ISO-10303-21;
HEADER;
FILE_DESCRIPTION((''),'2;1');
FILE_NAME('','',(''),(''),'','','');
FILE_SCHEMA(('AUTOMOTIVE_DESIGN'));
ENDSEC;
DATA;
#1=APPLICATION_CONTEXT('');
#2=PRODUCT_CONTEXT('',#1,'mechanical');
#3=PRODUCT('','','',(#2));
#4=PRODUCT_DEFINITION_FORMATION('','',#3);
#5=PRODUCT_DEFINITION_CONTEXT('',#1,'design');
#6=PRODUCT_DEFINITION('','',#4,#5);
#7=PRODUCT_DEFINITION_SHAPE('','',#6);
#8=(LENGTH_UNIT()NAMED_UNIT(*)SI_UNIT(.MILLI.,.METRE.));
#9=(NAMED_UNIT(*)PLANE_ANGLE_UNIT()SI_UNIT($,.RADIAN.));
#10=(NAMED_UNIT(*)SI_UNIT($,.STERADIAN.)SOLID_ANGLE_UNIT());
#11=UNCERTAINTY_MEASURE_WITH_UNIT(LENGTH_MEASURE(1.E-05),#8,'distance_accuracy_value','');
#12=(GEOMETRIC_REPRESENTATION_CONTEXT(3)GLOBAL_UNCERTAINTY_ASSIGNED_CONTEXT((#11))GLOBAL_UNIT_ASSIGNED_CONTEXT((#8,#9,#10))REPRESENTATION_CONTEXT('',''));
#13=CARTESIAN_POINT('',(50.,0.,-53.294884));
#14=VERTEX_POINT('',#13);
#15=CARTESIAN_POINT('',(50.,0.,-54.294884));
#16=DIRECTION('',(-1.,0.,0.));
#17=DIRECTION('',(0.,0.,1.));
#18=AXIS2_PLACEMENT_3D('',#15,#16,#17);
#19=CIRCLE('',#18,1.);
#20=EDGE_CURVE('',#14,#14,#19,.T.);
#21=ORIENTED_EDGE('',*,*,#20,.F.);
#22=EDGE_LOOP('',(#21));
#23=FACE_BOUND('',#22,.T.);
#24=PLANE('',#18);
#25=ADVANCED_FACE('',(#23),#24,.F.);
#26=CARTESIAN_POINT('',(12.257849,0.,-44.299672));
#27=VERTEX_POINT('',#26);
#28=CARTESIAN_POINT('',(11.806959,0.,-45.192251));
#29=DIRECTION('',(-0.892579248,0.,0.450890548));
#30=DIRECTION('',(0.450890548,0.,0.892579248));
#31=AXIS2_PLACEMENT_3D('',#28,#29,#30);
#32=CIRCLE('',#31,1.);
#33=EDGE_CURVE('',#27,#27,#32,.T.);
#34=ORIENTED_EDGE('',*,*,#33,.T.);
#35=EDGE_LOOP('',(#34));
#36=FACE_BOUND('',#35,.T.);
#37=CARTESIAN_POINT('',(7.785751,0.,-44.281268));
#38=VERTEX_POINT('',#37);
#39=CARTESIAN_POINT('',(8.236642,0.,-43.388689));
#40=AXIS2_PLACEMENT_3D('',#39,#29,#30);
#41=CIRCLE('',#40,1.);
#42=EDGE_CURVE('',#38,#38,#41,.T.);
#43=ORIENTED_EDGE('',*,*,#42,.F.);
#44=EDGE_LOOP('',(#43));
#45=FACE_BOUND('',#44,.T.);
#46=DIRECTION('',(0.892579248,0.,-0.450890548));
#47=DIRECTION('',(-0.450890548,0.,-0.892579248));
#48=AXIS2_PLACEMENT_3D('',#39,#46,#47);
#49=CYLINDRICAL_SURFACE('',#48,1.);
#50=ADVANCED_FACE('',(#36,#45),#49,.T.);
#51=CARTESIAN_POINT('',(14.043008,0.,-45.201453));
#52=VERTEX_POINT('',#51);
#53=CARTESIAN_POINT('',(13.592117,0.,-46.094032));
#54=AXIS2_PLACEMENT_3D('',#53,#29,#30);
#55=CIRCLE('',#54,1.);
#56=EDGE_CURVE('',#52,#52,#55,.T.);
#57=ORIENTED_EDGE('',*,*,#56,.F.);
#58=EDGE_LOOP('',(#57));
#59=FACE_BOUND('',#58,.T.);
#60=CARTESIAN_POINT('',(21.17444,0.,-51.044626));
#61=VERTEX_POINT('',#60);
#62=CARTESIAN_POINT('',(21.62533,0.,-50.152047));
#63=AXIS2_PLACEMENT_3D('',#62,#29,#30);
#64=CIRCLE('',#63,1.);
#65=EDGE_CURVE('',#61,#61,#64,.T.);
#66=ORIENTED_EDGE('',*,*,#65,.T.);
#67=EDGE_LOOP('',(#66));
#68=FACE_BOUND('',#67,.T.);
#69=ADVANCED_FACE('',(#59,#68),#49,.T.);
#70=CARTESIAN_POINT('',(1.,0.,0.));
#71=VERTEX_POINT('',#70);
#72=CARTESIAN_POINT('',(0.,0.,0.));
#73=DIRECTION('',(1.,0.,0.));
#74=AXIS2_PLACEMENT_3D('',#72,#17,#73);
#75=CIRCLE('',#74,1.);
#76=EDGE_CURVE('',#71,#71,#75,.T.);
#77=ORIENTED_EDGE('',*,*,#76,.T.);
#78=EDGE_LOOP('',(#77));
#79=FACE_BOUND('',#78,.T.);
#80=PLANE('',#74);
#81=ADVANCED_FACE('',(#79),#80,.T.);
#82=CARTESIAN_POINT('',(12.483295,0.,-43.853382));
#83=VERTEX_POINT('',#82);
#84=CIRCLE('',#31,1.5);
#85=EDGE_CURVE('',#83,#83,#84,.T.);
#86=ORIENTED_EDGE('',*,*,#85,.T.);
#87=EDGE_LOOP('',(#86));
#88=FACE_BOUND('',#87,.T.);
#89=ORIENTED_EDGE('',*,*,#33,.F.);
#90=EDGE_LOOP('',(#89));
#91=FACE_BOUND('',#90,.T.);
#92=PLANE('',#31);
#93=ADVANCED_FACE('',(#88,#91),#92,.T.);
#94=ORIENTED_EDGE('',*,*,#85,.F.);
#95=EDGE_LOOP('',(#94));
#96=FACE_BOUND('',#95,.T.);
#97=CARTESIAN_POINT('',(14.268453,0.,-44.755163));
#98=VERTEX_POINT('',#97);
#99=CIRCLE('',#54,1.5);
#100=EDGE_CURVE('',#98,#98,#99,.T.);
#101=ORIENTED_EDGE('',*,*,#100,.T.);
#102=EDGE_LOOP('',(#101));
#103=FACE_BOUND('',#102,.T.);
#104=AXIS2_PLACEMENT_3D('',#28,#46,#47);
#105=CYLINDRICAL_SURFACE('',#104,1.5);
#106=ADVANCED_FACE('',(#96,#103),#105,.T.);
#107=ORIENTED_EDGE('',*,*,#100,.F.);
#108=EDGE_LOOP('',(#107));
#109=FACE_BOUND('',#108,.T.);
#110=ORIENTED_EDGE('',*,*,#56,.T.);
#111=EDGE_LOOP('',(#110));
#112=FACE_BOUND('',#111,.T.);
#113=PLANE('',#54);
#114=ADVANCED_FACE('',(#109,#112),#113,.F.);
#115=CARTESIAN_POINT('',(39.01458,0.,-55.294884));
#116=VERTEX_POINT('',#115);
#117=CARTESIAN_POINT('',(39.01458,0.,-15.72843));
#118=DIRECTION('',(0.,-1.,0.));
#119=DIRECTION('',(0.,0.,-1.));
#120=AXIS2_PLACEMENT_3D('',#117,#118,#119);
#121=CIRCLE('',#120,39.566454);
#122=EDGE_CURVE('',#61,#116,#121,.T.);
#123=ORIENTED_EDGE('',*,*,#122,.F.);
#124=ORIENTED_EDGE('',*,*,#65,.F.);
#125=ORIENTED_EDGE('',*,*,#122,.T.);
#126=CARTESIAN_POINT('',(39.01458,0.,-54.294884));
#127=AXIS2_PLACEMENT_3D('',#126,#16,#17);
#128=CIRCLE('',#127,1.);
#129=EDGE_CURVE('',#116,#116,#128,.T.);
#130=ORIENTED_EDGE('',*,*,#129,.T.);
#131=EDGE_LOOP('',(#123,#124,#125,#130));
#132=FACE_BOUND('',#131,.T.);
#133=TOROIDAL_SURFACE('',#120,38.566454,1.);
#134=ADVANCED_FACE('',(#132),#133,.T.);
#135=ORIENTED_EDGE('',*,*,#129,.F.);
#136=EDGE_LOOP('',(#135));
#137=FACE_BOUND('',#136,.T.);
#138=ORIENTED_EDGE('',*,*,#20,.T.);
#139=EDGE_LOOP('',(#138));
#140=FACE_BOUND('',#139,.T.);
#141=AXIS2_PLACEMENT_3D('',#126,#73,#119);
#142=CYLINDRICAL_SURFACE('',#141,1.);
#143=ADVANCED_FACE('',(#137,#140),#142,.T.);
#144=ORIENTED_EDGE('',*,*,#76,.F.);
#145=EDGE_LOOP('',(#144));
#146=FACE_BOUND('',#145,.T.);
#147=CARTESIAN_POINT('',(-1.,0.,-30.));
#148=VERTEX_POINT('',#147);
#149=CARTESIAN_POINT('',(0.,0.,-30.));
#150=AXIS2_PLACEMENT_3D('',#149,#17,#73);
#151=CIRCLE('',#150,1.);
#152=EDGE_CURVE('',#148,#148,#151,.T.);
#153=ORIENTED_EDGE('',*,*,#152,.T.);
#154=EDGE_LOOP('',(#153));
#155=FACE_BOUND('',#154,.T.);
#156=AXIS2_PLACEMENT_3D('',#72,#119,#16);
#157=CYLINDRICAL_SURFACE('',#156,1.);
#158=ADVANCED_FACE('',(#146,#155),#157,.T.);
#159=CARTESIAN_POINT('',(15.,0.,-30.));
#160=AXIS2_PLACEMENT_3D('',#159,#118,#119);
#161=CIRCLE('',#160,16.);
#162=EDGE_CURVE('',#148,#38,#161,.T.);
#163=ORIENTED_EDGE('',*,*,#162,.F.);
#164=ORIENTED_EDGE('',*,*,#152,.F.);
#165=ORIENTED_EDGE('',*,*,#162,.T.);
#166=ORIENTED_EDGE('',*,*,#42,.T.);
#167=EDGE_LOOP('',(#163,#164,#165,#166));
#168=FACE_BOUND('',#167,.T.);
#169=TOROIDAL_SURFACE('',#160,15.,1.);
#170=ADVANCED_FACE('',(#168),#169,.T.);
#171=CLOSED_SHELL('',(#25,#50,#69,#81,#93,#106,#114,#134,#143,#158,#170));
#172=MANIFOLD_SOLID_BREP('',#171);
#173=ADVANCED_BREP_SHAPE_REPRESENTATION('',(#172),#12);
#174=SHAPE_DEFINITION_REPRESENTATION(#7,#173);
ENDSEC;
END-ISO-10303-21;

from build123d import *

# Parameters (mm, degrees)
ESQUISSE2_R        = 1
ESQUISSE3_R        = 1.5
ESQUISSE3_R_2      = 1
EXTRU_MINCE1_DEPTH = 1


with BuildPart() as part:
    # Balayage1: sweep along a path in Esquisse1
    with BuildLine(Plane(origin=(0, 0, 0), x_dir=(1, 0, 0), z_dir=(0, 1, 0))) as balayage1_path:
        Line((0, 0), (0, 30))
        ThreePointArc((0, 30), (2.22403872, 37.8596955), (8.236641781, 43.388688719))
        Line((8.236641781, 43.388688719), (21.6253305, 50.152046937))
        ThreePointArc((21.6253305, 50.152046937), (30.076611959, 53.244881504), (39.014580281, 54.29488448))
        Line((39.014580281, 54.29488448), (50, 54.29488448))
    # Esquisse2 → Balayage1 (sweep)
    with BuildSketch(Plane.XY):
        Circle(ESQUISSE2_R)
    sweep(path=balayage1_path.line)

    # Esquisse3 → Extru.-Mince1 (add, symmetric)
    with BuildSketch(Plane(origin=(28.487028331, 0, -14.390354518), x_dir=(0.450890548, 0, 0.892579248), z_dir=(-0.892579248, 0, 0.450890548))):
        with Locations((-35.014019219, 0)):
            Circle(ESQUISSE3_R)
        with Locations((-35.014019219, 0)):
            Circle(ESQUISSE3_R_2, mode=Mode.SUBTRACT)
    extrude(amount=EXTRU_MINCE1_DEPTH, both=True)


solid = part.part
